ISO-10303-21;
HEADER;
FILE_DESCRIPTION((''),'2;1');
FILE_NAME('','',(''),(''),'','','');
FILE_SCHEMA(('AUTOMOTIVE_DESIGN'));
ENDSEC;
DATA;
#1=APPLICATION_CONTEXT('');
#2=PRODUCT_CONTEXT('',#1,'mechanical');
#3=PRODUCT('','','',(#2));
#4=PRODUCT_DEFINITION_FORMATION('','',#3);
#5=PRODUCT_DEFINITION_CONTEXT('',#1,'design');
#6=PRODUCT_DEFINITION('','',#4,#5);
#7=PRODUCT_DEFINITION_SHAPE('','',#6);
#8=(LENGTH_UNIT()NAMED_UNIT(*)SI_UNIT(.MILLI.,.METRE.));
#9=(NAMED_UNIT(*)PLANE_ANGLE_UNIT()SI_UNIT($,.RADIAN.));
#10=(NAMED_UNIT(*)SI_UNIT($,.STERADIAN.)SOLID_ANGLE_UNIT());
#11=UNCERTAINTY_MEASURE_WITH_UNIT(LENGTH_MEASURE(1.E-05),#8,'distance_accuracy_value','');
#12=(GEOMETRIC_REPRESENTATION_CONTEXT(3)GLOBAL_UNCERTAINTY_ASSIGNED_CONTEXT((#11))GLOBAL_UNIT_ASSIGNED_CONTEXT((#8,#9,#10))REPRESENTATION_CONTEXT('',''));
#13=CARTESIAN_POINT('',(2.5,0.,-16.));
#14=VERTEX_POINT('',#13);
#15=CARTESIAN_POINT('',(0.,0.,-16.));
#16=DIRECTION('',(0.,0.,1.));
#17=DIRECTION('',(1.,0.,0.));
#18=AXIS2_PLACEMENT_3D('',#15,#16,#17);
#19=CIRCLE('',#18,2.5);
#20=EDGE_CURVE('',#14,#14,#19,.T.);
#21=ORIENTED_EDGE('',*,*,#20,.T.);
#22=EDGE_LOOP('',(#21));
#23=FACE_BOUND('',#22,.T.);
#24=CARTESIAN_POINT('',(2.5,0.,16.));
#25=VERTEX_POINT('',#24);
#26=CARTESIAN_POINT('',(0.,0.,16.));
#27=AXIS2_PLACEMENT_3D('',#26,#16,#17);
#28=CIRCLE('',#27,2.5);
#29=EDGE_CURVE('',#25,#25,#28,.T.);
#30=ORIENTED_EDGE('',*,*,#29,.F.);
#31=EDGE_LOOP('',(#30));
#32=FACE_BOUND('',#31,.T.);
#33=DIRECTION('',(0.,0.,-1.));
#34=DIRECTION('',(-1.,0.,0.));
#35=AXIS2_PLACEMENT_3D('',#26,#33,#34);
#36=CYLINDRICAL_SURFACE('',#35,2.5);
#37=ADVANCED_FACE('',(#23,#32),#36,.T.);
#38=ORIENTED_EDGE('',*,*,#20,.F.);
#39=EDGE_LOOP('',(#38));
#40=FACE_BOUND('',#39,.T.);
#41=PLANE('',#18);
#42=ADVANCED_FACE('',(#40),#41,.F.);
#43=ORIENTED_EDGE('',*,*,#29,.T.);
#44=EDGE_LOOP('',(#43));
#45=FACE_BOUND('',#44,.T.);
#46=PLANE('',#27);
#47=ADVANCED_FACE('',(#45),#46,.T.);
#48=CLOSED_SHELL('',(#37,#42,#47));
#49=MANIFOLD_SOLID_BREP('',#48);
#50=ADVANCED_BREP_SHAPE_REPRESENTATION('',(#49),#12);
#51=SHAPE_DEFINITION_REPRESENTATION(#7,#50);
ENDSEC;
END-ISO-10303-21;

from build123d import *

# Parameters (mm, degrees)
ESQUISSE1_R        = 2.5
BOSS_EXTRU_1_DEPTH = 16


with BuildPart() as part:
    # Esquisse1 → Boss.-Extru.1 (new, symmetric)
    with BuildSketch(Plane.XY):
        Circle(ESQUISSE1_R)
    extrude(amount=BOSS_EXTRU_1_DEPTH, both=True)


solid = part.part
